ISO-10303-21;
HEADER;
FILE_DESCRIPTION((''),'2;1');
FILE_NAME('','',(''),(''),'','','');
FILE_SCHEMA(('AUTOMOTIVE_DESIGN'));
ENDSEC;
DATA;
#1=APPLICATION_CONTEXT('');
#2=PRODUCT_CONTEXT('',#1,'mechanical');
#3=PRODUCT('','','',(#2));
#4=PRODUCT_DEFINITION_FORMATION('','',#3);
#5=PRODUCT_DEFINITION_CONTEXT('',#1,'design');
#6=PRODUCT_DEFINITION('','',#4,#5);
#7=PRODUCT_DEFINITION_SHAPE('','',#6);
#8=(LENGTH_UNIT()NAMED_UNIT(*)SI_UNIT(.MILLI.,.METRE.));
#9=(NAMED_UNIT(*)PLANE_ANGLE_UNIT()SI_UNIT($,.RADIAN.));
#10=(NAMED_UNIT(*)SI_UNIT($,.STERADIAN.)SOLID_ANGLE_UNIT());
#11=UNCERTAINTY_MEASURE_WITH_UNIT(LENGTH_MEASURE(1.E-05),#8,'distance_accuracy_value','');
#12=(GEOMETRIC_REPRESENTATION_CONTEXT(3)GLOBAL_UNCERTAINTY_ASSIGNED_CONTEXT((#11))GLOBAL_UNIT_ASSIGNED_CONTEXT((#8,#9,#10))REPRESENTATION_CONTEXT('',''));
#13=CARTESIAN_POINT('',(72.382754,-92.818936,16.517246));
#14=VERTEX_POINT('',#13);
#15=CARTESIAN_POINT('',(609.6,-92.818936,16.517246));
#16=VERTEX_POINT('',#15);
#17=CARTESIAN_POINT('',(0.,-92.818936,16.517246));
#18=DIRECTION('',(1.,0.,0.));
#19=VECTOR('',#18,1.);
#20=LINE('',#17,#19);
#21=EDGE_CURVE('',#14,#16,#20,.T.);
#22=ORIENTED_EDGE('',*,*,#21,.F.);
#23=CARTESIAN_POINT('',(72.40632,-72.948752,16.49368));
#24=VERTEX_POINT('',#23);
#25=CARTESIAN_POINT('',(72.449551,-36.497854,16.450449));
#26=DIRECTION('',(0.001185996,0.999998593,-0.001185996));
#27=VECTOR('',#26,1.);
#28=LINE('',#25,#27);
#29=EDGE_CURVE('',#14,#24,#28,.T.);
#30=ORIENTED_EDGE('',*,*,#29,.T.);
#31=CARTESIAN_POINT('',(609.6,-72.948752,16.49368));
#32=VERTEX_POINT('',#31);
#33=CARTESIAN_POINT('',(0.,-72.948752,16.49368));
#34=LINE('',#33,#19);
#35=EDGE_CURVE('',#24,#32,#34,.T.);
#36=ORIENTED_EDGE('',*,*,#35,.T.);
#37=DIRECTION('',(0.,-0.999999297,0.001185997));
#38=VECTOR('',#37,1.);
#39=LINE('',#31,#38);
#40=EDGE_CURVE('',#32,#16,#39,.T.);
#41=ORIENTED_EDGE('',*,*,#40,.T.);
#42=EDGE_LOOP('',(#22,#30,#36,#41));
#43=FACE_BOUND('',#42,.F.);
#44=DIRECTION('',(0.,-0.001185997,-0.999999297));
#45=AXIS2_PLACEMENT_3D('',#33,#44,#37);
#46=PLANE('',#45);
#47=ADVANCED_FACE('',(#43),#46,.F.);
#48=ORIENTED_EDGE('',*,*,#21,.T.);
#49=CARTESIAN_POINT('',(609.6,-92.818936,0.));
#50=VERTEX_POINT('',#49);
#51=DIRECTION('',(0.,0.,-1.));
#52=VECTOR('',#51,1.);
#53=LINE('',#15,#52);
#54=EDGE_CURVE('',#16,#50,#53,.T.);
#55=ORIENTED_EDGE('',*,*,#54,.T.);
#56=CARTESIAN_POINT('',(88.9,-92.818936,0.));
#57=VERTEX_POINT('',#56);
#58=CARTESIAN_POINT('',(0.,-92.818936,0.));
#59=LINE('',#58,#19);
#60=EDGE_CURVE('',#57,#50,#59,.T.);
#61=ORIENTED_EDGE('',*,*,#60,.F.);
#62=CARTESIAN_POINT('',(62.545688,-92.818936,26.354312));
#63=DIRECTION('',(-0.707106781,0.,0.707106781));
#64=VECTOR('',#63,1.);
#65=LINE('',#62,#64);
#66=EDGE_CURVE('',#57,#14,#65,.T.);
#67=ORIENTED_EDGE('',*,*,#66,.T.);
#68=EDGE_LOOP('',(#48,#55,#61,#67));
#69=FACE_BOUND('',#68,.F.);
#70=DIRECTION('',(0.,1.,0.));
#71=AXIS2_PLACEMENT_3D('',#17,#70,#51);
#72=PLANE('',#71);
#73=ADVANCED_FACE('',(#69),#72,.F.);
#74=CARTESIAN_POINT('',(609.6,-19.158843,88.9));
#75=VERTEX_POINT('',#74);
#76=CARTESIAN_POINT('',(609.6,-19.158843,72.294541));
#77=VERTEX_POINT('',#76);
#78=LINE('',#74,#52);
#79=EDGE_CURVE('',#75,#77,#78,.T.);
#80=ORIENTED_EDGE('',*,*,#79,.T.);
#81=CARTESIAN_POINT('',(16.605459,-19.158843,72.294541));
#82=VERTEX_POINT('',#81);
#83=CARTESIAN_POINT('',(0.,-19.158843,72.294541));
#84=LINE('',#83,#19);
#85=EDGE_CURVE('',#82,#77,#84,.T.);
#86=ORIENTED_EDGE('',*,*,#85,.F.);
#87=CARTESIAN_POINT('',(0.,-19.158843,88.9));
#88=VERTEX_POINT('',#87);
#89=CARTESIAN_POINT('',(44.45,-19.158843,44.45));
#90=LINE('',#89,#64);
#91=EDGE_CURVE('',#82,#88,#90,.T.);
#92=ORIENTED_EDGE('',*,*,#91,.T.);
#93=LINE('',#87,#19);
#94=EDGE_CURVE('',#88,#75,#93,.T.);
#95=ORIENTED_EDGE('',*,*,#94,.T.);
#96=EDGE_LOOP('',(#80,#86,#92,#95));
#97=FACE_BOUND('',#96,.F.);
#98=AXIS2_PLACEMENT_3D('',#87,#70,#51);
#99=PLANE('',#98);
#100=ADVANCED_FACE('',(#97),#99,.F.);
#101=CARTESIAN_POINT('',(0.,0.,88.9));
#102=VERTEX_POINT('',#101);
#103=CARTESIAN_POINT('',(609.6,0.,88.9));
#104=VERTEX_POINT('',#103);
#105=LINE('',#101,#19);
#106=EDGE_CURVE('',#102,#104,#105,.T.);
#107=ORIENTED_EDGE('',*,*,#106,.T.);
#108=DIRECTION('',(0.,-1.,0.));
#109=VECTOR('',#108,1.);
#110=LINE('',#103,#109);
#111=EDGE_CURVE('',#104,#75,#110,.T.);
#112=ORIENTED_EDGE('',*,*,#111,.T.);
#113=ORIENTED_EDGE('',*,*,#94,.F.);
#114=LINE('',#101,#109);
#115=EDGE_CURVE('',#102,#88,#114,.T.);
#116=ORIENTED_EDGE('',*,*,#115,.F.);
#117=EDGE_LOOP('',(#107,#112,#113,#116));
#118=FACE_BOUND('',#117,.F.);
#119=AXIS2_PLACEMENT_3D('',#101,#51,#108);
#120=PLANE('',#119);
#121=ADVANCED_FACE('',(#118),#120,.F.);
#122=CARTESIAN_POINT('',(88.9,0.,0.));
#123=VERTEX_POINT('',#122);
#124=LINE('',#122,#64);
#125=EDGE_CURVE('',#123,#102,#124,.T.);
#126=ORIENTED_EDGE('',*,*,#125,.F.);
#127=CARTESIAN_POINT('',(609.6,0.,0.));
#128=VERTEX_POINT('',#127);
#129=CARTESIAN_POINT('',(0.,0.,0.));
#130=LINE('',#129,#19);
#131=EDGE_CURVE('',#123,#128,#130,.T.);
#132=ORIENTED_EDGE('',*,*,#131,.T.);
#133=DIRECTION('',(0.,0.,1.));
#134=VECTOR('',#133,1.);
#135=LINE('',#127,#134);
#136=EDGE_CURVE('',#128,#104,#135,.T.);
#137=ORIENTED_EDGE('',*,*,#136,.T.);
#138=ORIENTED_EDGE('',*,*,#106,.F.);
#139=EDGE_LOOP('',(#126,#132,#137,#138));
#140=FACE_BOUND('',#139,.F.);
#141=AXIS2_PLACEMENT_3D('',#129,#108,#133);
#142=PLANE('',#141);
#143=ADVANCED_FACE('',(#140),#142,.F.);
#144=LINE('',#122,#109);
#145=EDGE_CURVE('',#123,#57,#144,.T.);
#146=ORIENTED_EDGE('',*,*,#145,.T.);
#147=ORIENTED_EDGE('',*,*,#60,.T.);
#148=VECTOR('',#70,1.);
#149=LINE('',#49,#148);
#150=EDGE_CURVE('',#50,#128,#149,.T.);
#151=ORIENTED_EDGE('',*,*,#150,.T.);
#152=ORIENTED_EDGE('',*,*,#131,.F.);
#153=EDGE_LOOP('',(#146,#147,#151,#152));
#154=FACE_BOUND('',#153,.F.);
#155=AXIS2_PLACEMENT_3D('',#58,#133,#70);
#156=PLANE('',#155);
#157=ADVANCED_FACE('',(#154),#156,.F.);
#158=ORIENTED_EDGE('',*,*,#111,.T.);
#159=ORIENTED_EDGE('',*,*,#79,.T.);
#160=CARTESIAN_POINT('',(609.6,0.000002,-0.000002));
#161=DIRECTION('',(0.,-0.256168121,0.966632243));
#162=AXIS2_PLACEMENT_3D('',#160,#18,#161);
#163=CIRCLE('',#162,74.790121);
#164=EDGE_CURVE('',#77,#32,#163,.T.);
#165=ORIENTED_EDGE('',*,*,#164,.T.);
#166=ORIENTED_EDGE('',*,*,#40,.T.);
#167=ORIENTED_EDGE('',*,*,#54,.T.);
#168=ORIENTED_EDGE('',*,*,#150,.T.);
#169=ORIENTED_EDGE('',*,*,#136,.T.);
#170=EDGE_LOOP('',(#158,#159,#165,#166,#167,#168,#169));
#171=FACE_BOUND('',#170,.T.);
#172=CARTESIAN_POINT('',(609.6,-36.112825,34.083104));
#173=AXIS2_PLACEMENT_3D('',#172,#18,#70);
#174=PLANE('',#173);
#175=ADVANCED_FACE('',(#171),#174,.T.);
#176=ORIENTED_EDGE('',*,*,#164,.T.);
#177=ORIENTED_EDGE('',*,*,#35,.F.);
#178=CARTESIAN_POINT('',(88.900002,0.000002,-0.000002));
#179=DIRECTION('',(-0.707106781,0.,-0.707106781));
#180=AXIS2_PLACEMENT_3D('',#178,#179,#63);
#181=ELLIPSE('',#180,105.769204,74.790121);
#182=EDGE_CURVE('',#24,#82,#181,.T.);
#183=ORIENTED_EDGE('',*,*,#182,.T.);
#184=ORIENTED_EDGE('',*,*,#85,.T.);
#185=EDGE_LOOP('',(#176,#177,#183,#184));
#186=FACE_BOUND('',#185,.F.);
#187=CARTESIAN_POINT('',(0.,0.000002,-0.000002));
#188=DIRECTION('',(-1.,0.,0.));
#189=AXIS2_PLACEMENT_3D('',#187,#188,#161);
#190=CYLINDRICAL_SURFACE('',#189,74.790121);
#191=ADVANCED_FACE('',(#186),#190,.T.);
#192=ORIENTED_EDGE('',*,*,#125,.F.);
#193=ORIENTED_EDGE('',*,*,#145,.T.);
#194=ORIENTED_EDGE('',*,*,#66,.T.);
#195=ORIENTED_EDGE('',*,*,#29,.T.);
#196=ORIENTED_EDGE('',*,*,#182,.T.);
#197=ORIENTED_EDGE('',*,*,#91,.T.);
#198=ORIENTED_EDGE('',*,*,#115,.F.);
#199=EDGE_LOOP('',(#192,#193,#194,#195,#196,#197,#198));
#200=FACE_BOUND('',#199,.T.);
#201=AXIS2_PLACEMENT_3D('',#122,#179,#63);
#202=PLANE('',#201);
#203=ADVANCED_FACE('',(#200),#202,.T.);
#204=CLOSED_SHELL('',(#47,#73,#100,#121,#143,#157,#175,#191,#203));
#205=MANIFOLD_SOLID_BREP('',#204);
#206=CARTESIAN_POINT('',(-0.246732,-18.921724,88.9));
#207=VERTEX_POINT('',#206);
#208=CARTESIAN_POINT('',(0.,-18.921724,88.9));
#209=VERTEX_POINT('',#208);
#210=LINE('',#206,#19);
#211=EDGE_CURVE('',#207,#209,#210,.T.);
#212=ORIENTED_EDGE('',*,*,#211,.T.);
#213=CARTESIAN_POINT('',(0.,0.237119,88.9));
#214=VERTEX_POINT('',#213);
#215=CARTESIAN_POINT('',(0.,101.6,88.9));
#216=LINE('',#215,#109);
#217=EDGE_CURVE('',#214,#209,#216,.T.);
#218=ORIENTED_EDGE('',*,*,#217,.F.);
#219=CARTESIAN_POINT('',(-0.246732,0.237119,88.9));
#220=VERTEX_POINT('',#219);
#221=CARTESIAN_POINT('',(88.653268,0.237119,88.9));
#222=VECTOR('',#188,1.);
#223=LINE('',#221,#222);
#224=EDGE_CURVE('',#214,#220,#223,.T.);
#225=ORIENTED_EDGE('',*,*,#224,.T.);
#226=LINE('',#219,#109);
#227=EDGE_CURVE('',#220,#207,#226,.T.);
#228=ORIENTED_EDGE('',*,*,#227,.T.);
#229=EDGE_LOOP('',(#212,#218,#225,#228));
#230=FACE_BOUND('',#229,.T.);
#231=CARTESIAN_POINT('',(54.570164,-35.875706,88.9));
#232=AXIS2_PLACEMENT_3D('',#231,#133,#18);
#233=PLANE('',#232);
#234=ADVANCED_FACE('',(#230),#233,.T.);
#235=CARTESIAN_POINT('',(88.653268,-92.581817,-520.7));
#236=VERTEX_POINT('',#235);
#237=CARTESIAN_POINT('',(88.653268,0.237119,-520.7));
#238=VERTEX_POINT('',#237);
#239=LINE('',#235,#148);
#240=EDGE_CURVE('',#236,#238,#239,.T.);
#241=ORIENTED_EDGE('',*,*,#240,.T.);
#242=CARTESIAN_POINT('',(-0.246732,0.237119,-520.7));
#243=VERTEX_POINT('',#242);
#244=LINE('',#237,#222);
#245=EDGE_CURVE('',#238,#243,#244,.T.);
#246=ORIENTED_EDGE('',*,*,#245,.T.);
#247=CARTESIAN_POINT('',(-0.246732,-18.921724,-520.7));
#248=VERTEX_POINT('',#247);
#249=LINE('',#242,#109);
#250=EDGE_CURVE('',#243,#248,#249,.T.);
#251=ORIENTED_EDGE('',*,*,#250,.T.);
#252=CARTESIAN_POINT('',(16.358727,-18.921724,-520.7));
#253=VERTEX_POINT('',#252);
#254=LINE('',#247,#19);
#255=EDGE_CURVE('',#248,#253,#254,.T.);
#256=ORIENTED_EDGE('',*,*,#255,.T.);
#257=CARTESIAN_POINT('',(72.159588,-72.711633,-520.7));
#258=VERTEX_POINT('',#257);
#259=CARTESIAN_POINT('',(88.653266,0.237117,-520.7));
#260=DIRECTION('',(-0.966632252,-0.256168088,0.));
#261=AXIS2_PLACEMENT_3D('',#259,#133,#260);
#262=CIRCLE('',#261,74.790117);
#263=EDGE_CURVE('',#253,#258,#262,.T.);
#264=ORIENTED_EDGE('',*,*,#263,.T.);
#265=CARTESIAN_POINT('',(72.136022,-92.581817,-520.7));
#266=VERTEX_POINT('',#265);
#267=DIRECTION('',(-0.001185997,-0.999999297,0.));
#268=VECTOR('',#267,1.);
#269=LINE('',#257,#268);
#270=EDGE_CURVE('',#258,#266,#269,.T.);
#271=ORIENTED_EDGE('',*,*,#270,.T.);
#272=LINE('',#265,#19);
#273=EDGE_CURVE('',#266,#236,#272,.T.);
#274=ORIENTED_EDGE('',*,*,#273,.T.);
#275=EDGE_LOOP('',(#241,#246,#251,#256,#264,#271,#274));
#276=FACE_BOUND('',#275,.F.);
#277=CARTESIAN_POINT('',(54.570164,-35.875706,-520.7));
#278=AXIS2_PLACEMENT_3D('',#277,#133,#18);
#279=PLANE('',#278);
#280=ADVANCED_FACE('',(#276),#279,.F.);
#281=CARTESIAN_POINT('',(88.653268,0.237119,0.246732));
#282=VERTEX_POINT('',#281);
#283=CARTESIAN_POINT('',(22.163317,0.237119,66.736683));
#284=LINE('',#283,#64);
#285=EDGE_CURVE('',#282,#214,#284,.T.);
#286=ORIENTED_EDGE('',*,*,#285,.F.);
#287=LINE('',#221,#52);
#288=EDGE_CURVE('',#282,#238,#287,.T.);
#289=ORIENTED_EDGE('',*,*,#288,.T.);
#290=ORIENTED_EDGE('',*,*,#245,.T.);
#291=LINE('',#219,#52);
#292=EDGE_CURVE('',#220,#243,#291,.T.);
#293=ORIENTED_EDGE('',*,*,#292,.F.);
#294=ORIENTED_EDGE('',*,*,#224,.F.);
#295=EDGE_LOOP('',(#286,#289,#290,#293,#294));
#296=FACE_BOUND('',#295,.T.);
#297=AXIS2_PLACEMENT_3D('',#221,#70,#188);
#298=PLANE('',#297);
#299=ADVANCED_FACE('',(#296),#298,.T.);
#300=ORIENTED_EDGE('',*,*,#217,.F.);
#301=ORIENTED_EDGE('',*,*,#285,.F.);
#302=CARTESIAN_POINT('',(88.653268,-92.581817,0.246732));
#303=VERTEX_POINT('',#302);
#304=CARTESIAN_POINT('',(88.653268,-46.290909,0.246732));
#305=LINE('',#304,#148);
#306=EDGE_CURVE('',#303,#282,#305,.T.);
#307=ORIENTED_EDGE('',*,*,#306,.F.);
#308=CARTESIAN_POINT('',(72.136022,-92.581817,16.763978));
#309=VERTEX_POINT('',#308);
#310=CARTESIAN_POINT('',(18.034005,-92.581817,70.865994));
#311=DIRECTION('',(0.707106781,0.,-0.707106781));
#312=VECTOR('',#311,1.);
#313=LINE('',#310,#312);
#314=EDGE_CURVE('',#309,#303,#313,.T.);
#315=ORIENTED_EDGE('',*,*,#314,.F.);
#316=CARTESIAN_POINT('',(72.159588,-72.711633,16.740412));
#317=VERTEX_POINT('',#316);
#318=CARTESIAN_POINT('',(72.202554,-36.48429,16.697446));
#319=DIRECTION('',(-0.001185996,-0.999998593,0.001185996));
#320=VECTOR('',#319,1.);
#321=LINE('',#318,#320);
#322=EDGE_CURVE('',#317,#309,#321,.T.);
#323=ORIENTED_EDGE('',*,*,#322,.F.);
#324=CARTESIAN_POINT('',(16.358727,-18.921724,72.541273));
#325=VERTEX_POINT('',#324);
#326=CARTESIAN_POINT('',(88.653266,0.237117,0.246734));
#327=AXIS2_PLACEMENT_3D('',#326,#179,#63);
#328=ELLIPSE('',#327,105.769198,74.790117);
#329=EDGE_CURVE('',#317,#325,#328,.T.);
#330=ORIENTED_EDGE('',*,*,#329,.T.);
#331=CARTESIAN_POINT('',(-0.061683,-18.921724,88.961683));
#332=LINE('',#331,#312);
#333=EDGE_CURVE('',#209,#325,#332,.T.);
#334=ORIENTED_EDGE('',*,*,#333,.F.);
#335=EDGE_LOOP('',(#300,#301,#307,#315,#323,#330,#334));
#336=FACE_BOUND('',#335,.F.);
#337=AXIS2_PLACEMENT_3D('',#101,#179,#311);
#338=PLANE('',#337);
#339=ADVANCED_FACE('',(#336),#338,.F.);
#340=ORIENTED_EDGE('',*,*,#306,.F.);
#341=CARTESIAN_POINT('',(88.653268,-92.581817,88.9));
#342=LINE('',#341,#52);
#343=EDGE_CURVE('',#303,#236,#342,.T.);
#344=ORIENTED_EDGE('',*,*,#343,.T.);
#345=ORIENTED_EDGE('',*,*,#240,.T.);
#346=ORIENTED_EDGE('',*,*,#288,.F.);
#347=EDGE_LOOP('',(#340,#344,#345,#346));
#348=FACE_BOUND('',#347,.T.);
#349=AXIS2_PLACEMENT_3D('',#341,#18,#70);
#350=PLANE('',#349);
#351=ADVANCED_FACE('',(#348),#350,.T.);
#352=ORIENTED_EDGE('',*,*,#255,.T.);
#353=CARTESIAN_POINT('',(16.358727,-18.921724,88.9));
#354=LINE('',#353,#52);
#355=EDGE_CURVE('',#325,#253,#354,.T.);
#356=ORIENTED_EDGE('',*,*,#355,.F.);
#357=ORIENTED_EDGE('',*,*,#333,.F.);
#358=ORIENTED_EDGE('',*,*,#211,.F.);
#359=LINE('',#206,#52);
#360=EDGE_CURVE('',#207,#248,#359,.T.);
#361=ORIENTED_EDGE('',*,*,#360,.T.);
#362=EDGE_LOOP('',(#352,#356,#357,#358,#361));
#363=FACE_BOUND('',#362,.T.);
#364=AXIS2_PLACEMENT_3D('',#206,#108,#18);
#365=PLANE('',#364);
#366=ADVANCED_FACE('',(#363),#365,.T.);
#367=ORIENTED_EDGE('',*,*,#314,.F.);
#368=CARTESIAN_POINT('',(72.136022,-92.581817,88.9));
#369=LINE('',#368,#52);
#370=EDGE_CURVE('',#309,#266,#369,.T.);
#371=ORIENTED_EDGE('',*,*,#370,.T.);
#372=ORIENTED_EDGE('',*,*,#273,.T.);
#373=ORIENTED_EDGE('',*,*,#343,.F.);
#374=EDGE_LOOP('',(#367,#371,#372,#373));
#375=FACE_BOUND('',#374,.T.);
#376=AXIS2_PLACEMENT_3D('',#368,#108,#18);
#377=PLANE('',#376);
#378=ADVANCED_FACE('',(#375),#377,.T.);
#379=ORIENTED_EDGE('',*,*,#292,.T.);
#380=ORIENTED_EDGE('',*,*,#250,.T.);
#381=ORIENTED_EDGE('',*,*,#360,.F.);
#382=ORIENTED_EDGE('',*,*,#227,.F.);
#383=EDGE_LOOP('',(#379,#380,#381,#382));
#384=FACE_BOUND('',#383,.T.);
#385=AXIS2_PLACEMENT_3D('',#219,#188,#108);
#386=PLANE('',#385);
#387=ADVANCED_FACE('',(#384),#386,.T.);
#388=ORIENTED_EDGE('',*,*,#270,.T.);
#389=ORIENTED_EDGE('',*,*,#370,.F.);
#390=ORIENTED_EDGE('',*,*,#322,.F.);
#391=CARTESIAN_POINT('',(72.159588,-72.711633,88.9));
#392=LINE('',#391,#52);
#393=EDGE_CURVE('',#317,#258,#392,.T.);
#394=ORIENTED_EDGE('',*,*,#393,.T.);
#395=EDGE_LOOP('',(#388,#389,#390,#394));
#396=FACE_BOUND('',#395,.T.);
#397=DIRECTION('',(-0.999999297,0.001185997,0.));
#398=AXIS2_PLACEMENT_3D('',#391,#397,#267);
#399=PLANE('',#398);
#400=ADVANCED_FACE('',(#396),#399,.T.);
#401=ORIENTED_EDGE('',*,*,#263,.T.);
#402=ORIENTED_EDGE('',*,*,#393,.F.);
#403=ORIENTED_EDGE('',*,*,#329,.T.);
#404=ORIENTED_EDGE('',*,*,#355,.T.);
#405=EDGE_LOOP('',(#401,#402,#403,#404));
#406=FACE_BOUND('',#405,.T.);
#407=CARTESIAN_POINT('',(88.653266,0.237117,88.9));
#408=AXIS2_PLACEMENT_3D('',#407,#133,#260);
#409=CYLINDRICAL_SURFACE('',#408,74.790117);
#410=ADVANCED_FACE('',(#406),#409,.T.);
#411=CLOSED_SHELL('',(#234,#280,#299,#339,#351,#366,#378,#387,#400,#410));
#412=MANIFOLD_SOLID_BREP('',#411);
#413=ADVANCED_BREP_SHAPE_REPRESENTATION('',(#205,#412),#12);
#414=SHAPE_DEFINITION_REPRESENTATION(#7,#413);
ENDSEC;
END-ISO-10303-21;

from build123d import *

# Parameters (mm, degrees)
F1_DEPTH = 609.6
F3_DEPTH = 92.819936
F6_DEPTH = 609.6
F9_DEPTH = 101.6


with BuildPart() as f1:
    # F0 (on Right) → F1 (new body)
    with BuildSketch(Plane.YZ):
        with BuildLine():
            Line((-19.158843, 88.9), (-19.158843, 72.294541))
            ThreePointArc((-19.158843, 72.294541), (-53.845949, 51.905449), (-72.948752, 16.49368))
            Line((-72.948752, 16.49368), (-92.818936, 16.517246))
            Line((-92.818936, 16.517246), (-92.818936, 0))
            Line((-92.818936, 0), (0, 0))
            Line((0, 0), (0, 88.9))
            Line((0, 88.9), (-19.158843, 88.9))
        make_face()
    extrude(amount=F1_DEPTH)

    # F2 (on Front) → F3 (cut, through all)
    with BuildSketch(Plane.XZ):
        Polygon((88.9, 0), (0, 88.9), (0, 0), align=None)
    extrude(amount=F3_DEPTH, mode=Mode.SUBTRACT)


with BuildPart() as f6:
    # F5 (on offset) → F6 (new body)
    with BuildSketch(Plane.XY.offset(88.9)):
        with BuildLine():
            Line((-0.246732, -18.921724), (16.358727, -18.921724))
            ThreePointArc((16.358727, -18.921724), (36.747819, -53.608831), (72.159588, -72.711633))
            Line((72.159588, -72.711633), (72.136022, -92.581817))
            Line((72.136022, -92.581817), (88.653268, -92.581817))
            Line((88.653268, -92.581817), (88.653268, 0.237119))
            Line((88.653268, 0.237119), (-0.246732, 0.237119))
            Line((-0.246732, 0.237119), (-0.246732, -18.921724))
        make_face()
    extrude(amount=-F6_DEPTH)

    # F8 (on Front) → F9 (cut, symmetric)
    with BuildSketch(Plane.XZ):
        Polygon((88.9, 88.9), (0, 88.9), (88.9, 0), align=None)
    extrude(amount=F9_DEPTH, both=True, mode=Mode.SUBTRACT)


with BuildPart() as f1_1:
    # F7: moved
    add(f1.part.moved(Location((175.26, 0, 0))))


with BuildPart() as f1_2:
    # F10: moved
    add(f1_1.part.moved(Location((-175.26, 0, 0))))


solid = Compound([f6.part, f1_2.part])
